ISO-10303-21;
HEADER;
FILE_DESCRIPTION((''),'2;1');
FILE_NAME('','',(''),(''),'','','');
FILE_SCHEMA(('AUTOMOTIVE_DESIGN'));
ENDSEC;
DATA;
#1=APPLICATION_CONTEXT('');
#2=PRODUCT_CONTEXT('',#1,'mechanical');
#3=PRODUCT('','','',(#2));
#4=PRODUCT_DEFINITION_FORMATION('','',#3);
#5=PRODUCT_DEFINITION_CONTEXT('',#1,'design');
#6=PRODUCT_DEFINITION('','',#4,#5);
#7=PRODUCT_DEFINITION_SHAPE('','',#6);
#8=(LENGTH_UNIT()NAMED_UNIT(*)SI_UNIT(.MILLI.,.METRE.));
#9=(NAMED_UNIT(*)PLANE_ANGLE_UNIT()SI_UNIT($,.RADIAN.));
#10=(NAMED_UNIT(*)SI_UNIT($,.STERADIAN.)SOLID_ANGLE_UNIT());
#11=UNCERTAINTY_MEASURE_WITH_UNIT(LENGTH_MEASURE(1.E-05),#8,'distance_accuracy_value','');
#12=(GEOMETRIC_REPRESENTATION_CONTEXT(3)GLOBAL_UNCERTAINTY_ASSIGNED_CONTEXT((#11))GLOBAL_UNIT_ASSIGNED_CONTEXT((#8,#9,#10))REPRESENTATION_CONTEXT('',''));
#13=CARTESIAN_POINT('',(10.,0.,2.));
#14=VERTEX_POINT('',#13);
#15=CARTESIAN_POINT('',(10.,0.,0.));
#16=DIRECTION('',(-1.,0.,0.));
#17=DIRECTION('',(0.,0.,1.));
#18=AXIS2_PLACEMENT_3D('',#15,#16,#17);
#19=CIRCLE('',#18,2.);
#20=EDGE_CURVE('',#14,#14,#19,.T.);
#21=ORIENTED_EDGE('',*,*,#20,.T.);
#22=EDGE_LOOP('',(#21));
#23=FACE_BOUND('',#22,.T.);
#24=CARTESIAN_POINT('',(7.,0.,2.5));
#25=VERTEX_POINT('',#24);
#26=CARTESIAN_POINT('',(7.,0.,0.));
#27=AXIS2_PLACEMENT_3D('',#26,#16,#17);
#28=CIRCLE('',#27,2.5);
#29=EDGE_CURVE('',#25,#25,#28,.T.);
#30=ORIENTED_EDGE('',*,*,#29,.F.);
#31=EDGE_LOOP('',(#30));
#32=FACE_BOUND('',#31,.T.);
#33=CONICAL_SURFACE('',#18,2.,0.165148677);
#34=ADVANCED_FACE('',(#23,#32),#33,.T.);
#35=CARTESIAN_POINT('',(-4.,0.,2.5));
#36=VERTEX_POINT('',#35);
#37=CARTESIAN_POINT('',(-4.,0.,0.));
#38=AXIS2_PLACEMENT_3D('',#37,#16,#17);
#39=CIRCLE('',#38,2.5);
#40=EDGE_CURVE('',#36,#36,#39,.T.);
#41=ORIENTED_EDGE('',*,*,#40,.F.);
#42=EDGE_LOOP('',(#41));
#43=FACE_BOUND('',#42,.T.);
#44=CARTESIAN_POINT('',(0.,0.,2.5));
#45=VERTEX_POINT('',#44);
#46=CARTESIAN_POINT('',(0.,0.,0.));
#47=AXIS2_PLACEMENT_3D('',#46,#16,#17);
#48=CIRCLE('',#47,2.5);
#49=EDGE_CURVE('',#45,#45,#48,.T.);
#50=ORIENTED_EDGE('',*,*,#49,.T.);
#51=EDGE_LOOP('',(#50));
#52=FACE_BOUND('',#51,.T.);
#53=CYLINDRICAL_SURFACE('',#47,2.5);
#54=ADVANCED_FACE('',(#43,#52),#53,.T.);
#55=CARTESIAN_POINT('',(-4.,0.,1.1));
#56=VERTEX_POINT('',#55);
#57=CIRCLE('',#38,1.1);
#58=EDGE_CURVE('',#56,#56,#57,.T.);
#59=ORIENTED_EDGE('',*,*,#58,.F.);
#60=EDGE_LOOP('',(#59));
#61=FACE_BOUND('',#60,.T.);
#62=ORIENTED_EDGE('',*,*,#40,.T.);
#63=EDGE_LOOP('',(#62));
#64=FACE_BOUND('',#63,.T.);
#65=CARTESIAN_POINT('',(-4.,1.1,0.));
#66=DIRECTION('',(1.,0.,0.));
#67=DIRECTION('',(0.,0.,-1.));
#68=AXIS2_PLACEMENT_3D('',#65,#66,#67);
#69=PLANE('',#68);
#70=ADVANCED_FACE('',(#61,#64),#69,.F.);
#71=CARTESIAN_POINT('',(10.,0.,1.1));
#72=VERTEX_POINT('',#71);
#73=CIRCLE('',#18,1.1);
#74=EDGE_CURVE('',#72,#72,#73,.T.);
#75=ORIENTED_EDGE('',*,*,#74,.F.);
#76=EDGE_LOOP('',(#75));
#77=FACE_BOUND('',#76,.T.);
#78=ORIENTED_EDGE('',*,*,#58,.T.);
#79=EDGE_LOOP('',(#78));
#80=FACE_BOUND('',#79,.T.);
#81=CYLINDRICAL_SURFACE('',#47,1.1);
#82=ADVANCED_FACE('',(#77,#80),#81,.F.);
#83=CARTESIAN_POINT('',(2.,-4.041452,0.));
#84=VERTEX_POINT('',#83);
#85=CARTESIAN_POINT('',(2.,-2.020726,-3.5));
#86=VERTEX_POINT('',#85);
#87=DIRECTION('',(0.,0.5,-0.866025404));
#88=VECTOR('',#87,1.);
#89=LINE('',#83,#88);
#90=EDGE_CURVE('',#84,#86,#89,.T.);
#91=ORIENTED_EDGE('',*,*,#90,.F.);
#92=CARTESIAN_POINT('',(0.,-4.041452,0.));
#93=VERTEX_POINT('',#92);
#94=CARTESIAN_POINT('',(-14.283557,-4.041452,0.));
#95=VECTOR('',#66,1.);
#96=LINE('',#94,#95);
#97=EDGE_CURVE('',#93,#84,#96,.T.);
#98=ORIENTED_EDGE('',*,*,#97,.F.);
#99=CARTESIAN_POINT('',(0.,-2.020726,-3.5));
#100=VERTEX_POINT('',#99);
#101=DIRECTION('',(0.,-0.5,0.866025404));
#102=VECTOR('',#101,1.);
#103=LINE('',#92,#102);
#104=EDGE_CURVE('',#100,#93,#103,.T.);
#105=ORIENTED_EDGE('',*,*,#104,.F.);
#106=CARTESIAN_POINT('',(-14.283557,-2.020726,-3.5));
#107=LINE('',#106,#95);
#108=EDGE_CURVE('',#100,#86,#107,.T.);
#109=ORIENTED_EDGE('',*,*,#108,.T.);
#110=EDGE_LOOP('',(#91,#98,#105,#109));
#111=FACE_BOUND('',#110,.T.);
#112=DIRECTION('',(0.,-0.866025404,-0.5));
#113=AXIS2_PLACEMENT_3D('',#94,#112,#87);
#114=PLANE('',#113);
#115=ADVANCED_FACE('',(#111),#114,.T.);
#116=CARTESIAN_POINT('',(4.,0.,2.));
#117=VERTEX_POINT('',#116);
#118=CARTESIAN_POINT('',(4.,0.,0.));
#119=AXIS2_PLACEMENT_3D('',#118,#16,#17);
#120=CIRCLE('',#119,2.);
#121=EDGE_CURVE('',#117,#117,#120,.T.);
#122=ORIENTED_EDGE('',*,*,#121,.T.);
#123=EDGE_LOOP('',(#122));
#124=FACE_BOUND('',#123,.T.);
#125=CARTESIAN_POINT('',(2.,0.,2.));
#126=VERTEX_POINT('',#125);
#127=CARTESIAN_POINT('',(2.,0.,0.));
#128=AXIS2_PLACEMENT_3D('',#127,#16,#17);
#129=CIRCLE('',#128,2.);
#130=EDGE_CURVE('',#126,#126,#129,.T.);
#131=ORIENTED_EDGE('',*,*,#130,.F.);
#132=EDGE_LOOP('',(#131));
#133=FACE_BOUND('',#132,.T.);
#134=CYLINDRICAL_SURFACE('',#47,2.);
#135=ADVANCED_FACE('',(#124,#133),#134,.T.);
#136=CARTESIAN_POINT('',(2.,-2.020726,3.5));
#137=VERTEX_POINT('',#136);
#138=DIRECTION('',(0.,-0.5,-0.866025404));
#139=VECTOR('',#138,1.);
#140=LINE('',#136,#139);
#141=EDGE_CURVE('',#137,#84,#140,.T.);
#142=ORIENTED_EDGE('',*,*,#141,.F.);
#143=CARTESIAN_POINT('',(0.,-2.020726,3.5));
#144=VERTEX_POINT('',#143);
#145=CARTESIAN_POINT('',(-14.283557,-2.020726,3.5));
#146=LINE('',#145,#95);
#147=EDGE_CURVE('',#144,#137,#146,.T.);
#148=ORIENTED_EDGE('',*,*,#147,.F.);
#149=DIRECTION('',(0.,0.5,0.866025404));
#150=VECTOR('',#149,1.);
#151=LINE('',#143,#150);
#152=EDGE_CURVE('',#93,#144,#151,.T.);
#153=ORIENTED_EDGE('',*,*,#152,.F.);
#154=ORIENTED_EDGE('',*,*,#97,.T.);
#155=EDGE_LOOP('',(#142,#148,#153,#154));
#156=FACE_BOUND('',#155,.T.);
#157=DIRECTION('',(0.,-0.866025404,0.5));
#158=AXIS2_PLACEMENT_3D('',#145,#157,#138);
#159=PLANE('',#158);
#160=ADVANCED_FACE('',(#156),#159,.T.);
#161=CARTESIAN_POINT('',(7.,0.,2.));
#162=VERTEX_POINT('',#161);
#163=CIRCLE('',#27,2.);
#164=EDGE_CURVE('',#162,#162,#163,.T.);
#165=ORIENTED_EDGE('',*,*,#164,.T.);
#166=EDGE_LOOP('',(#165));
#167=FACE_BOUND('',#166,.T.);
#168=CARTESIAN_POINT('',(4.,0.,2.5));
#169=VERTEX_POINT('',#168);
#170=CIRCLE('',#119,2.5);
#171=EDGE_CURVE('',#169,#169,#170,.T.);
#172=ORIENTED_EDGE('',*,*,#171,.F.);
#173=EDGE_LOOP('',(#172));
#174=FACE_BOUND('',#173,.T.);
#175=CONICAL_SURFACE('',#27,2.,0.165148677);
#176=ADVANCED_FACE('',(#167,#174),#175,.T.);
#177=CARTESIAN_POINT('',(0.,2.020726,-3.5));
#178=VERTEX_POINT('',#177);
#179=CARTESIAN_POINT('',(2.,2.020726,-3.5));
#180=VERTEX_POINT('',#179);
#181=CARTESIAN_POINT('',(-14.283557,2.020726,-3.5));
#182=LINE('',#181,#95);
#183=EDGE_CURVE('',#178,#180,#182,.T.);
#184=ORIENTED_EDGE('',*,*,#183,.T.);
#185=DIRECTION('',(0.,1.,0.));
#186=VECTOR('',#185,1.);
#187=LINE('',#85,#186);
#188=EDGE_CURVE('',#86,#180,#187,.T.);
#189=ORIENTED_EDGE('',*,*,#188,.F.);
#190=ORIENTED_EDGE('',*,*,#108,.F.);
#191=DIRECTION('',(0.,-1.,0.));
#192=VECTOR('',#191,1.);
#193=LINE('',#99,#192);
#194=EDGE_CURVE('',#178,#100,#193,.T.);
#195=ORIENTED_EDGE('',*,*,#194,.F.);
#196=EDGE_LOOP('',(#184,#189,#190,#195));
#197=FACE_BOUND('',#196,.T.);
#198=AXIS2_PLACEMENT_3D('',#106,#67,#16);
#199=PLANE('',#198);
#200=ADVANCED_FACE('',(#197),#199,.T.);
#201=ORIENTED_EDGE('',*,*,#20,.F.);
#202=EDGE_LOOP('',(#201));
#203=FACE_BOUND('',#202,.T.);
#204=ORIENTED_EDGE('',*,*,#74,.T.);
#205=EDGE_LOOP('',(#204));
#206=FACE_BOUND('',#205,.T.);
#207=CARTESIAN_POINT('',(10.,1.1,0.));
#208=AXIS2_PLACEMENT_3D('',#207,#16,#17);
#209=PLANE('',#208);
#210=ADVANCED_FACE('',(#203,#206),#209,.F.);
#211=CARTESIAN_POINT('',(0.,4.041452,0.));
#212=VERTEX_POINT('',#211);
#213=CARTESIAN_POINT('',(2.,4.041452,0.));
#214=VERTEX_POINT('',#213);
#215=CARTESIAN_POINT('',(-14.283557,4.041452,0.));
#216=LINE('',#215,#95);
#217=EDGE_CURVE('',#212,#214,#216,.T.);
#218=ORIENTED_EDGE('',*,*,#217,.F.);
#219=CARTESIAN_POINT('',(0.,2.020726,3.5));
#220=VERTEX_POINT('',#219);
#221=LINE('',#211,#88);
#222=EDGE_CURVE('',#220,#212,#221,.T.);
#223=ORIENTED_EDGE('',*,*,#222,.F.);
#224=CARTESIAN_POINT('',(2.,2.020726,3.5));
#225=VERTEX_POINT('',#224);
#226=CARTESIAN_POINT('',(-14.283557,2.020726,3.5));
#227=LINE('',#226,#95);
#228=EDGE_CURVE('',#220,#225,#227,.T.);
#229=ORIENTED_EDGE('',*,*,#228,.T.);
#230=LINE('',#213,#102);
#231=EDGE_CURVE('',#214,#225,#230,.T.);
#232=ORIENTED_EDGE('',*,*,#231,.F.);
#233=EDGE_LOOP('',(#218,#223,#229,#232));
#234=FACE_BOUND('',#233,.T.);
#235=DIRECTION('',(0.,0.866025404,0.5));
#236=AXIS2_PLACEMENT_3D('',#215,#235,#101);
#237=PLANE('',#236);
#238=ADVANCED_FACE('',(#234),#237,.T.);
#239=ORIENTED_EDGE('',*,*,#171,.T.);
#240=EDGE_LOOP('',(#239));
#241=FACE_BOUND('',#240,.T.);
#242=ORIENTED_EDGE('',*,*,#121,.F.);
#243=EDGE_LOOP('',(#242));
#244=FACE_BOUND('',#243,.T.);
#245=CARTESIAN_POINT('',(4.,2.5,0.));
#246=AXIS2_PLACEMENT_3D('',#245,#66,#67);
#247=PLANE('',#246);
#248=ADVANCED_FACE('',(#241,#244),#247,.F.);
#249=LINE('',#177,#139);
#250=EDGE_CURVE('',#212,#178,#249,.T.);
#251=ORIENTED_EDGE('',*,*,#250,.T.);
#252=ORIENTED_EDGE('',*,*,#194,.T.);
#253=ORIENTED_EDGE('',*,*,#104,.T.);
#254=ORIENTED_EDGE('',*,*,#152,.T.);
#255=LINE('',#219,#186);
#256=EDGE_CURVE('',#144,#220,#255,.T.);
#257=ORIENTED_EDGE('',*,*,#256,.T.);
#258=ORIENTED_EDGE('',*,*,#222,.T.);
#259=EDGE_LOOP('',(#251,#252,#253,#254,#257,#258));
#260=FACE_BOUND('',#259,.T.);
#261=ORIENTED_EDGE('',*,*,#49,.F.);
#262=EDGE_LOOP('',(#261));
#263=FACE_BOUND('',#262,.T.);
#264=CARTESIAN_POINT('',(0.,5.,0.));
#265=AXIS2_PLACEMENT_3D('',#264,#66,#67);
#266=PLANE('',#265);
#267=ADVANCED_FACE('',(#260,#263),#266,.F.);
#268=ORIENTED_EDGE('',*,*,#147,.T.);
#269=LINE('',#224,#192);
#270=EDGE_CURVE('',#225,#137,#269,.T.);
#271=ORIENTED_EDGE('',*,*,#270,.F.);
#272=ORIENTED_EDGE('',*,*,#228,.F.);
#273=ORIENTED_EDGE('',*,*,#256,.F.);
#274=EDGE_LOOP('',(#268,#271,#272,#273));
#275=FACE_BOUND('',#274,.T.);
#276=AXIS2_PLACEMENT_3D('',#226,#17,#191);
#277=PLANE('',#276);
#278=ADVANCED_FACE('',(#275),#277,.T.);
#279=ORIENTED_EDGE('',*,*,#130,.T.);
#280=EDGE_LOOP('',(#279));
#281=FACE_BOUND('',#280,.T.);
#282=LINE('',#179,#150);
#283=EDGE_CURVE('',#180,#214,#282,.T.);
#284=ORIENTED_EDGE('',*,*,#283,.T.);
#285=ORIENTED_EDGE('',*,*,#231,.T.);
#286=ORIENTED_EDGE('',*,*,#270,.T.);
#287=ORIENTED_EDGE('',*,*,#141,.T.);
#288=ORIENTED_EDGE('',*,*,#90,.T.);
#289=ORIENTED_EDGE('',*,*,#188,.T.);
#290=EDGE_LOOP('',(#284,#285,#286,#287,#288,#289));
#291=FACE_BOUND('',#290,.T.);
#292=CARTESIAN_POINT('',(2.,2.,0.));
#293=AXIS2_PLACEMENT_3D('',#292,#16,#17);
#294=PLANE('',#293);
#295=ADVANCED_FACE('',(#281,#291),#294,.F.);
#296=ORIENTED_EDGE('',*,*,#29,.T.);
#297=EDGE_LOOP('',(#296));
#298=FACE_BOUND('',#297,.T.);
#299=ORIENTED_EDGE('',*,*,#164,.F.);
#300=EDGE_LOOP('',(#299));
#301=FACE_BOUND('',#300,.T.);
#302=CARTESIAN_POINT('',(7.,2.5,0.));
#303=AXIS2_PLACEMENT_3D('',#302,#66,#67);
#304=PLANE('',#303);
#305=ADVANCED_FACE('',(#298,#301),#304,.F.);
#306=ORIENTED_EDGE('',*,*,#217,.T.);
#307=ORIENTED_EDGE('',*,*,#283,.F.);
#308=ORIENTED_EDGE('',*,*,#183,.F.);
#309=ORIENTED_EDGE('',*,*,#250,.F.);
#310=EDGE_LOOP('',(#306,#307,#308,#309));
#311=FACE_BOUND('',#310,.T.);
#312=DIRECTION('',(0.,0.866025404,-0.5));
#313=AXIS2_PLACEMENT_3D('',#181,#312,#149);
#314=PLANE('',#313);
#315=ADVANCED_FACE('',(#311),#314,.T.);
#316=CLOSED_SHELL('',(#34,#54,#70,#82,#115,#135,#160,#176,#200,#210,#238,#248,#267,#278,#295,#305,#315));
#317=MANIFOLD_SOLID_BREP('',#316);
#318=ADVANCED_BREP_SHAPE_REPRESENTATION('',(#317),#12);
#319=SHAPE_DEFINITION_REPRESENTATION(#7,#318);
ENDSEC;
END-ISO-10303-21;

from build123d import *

# Parameters (mm, degrees)
ESQUISSE5_OUTSIDE_W     = 15.98
ESQUISSE5_OUTSIDE_H     = 15.98
ENL_V_MAT_EXTRU_1_DEPTH = 2


with BuildPart() as part:
    # Esquisse4 → Révolution2 (revolve)
    with BuildSketch(Plane.XY, mode=Mode.PRIVATE) as r_volution2_sk:
        Polygon((10, 1.1), (10, 2), (7, 2.5), (7, 2), (4, 2.5), (4, 2), (2, 2), (2, 5), (0, 5), (0, 2.5), (-4, 2.5), (-4, 1.1), align=None)
    revolve(r_volution2_sk.sketch.rotate(Axis((0, 0, 0), (1, 0, 0)), 90), axis=Axis((0, 0, 0), (1, 0, 0)))

    # Esquisse5 outside → Enlèv. mat.-Extru.1 (cut)
    with BuildSketch(Plane(origin=(2, 0, 0), x_dir=(0, 0, -1), z_dir=(1, 0, 0))):
        Rectangle(ESQUISSE5_OUTSIDE_W, ESQUISSE5_OUTSIDE_H)
        Polygon((0, -4.041451884), (3.5, -2.020725942), (3.5, 2.020725942), (0, 4.041451884), (-3.5, 2.020725942), (-3.5, -2.020725942), align=None, mode=Mode.SUBTRACT)
    extrude(amount=-ENL_V_MAT_EXTRU_1_DEPTH, mode=Mode.SUBTRACT)


solid = part.part
